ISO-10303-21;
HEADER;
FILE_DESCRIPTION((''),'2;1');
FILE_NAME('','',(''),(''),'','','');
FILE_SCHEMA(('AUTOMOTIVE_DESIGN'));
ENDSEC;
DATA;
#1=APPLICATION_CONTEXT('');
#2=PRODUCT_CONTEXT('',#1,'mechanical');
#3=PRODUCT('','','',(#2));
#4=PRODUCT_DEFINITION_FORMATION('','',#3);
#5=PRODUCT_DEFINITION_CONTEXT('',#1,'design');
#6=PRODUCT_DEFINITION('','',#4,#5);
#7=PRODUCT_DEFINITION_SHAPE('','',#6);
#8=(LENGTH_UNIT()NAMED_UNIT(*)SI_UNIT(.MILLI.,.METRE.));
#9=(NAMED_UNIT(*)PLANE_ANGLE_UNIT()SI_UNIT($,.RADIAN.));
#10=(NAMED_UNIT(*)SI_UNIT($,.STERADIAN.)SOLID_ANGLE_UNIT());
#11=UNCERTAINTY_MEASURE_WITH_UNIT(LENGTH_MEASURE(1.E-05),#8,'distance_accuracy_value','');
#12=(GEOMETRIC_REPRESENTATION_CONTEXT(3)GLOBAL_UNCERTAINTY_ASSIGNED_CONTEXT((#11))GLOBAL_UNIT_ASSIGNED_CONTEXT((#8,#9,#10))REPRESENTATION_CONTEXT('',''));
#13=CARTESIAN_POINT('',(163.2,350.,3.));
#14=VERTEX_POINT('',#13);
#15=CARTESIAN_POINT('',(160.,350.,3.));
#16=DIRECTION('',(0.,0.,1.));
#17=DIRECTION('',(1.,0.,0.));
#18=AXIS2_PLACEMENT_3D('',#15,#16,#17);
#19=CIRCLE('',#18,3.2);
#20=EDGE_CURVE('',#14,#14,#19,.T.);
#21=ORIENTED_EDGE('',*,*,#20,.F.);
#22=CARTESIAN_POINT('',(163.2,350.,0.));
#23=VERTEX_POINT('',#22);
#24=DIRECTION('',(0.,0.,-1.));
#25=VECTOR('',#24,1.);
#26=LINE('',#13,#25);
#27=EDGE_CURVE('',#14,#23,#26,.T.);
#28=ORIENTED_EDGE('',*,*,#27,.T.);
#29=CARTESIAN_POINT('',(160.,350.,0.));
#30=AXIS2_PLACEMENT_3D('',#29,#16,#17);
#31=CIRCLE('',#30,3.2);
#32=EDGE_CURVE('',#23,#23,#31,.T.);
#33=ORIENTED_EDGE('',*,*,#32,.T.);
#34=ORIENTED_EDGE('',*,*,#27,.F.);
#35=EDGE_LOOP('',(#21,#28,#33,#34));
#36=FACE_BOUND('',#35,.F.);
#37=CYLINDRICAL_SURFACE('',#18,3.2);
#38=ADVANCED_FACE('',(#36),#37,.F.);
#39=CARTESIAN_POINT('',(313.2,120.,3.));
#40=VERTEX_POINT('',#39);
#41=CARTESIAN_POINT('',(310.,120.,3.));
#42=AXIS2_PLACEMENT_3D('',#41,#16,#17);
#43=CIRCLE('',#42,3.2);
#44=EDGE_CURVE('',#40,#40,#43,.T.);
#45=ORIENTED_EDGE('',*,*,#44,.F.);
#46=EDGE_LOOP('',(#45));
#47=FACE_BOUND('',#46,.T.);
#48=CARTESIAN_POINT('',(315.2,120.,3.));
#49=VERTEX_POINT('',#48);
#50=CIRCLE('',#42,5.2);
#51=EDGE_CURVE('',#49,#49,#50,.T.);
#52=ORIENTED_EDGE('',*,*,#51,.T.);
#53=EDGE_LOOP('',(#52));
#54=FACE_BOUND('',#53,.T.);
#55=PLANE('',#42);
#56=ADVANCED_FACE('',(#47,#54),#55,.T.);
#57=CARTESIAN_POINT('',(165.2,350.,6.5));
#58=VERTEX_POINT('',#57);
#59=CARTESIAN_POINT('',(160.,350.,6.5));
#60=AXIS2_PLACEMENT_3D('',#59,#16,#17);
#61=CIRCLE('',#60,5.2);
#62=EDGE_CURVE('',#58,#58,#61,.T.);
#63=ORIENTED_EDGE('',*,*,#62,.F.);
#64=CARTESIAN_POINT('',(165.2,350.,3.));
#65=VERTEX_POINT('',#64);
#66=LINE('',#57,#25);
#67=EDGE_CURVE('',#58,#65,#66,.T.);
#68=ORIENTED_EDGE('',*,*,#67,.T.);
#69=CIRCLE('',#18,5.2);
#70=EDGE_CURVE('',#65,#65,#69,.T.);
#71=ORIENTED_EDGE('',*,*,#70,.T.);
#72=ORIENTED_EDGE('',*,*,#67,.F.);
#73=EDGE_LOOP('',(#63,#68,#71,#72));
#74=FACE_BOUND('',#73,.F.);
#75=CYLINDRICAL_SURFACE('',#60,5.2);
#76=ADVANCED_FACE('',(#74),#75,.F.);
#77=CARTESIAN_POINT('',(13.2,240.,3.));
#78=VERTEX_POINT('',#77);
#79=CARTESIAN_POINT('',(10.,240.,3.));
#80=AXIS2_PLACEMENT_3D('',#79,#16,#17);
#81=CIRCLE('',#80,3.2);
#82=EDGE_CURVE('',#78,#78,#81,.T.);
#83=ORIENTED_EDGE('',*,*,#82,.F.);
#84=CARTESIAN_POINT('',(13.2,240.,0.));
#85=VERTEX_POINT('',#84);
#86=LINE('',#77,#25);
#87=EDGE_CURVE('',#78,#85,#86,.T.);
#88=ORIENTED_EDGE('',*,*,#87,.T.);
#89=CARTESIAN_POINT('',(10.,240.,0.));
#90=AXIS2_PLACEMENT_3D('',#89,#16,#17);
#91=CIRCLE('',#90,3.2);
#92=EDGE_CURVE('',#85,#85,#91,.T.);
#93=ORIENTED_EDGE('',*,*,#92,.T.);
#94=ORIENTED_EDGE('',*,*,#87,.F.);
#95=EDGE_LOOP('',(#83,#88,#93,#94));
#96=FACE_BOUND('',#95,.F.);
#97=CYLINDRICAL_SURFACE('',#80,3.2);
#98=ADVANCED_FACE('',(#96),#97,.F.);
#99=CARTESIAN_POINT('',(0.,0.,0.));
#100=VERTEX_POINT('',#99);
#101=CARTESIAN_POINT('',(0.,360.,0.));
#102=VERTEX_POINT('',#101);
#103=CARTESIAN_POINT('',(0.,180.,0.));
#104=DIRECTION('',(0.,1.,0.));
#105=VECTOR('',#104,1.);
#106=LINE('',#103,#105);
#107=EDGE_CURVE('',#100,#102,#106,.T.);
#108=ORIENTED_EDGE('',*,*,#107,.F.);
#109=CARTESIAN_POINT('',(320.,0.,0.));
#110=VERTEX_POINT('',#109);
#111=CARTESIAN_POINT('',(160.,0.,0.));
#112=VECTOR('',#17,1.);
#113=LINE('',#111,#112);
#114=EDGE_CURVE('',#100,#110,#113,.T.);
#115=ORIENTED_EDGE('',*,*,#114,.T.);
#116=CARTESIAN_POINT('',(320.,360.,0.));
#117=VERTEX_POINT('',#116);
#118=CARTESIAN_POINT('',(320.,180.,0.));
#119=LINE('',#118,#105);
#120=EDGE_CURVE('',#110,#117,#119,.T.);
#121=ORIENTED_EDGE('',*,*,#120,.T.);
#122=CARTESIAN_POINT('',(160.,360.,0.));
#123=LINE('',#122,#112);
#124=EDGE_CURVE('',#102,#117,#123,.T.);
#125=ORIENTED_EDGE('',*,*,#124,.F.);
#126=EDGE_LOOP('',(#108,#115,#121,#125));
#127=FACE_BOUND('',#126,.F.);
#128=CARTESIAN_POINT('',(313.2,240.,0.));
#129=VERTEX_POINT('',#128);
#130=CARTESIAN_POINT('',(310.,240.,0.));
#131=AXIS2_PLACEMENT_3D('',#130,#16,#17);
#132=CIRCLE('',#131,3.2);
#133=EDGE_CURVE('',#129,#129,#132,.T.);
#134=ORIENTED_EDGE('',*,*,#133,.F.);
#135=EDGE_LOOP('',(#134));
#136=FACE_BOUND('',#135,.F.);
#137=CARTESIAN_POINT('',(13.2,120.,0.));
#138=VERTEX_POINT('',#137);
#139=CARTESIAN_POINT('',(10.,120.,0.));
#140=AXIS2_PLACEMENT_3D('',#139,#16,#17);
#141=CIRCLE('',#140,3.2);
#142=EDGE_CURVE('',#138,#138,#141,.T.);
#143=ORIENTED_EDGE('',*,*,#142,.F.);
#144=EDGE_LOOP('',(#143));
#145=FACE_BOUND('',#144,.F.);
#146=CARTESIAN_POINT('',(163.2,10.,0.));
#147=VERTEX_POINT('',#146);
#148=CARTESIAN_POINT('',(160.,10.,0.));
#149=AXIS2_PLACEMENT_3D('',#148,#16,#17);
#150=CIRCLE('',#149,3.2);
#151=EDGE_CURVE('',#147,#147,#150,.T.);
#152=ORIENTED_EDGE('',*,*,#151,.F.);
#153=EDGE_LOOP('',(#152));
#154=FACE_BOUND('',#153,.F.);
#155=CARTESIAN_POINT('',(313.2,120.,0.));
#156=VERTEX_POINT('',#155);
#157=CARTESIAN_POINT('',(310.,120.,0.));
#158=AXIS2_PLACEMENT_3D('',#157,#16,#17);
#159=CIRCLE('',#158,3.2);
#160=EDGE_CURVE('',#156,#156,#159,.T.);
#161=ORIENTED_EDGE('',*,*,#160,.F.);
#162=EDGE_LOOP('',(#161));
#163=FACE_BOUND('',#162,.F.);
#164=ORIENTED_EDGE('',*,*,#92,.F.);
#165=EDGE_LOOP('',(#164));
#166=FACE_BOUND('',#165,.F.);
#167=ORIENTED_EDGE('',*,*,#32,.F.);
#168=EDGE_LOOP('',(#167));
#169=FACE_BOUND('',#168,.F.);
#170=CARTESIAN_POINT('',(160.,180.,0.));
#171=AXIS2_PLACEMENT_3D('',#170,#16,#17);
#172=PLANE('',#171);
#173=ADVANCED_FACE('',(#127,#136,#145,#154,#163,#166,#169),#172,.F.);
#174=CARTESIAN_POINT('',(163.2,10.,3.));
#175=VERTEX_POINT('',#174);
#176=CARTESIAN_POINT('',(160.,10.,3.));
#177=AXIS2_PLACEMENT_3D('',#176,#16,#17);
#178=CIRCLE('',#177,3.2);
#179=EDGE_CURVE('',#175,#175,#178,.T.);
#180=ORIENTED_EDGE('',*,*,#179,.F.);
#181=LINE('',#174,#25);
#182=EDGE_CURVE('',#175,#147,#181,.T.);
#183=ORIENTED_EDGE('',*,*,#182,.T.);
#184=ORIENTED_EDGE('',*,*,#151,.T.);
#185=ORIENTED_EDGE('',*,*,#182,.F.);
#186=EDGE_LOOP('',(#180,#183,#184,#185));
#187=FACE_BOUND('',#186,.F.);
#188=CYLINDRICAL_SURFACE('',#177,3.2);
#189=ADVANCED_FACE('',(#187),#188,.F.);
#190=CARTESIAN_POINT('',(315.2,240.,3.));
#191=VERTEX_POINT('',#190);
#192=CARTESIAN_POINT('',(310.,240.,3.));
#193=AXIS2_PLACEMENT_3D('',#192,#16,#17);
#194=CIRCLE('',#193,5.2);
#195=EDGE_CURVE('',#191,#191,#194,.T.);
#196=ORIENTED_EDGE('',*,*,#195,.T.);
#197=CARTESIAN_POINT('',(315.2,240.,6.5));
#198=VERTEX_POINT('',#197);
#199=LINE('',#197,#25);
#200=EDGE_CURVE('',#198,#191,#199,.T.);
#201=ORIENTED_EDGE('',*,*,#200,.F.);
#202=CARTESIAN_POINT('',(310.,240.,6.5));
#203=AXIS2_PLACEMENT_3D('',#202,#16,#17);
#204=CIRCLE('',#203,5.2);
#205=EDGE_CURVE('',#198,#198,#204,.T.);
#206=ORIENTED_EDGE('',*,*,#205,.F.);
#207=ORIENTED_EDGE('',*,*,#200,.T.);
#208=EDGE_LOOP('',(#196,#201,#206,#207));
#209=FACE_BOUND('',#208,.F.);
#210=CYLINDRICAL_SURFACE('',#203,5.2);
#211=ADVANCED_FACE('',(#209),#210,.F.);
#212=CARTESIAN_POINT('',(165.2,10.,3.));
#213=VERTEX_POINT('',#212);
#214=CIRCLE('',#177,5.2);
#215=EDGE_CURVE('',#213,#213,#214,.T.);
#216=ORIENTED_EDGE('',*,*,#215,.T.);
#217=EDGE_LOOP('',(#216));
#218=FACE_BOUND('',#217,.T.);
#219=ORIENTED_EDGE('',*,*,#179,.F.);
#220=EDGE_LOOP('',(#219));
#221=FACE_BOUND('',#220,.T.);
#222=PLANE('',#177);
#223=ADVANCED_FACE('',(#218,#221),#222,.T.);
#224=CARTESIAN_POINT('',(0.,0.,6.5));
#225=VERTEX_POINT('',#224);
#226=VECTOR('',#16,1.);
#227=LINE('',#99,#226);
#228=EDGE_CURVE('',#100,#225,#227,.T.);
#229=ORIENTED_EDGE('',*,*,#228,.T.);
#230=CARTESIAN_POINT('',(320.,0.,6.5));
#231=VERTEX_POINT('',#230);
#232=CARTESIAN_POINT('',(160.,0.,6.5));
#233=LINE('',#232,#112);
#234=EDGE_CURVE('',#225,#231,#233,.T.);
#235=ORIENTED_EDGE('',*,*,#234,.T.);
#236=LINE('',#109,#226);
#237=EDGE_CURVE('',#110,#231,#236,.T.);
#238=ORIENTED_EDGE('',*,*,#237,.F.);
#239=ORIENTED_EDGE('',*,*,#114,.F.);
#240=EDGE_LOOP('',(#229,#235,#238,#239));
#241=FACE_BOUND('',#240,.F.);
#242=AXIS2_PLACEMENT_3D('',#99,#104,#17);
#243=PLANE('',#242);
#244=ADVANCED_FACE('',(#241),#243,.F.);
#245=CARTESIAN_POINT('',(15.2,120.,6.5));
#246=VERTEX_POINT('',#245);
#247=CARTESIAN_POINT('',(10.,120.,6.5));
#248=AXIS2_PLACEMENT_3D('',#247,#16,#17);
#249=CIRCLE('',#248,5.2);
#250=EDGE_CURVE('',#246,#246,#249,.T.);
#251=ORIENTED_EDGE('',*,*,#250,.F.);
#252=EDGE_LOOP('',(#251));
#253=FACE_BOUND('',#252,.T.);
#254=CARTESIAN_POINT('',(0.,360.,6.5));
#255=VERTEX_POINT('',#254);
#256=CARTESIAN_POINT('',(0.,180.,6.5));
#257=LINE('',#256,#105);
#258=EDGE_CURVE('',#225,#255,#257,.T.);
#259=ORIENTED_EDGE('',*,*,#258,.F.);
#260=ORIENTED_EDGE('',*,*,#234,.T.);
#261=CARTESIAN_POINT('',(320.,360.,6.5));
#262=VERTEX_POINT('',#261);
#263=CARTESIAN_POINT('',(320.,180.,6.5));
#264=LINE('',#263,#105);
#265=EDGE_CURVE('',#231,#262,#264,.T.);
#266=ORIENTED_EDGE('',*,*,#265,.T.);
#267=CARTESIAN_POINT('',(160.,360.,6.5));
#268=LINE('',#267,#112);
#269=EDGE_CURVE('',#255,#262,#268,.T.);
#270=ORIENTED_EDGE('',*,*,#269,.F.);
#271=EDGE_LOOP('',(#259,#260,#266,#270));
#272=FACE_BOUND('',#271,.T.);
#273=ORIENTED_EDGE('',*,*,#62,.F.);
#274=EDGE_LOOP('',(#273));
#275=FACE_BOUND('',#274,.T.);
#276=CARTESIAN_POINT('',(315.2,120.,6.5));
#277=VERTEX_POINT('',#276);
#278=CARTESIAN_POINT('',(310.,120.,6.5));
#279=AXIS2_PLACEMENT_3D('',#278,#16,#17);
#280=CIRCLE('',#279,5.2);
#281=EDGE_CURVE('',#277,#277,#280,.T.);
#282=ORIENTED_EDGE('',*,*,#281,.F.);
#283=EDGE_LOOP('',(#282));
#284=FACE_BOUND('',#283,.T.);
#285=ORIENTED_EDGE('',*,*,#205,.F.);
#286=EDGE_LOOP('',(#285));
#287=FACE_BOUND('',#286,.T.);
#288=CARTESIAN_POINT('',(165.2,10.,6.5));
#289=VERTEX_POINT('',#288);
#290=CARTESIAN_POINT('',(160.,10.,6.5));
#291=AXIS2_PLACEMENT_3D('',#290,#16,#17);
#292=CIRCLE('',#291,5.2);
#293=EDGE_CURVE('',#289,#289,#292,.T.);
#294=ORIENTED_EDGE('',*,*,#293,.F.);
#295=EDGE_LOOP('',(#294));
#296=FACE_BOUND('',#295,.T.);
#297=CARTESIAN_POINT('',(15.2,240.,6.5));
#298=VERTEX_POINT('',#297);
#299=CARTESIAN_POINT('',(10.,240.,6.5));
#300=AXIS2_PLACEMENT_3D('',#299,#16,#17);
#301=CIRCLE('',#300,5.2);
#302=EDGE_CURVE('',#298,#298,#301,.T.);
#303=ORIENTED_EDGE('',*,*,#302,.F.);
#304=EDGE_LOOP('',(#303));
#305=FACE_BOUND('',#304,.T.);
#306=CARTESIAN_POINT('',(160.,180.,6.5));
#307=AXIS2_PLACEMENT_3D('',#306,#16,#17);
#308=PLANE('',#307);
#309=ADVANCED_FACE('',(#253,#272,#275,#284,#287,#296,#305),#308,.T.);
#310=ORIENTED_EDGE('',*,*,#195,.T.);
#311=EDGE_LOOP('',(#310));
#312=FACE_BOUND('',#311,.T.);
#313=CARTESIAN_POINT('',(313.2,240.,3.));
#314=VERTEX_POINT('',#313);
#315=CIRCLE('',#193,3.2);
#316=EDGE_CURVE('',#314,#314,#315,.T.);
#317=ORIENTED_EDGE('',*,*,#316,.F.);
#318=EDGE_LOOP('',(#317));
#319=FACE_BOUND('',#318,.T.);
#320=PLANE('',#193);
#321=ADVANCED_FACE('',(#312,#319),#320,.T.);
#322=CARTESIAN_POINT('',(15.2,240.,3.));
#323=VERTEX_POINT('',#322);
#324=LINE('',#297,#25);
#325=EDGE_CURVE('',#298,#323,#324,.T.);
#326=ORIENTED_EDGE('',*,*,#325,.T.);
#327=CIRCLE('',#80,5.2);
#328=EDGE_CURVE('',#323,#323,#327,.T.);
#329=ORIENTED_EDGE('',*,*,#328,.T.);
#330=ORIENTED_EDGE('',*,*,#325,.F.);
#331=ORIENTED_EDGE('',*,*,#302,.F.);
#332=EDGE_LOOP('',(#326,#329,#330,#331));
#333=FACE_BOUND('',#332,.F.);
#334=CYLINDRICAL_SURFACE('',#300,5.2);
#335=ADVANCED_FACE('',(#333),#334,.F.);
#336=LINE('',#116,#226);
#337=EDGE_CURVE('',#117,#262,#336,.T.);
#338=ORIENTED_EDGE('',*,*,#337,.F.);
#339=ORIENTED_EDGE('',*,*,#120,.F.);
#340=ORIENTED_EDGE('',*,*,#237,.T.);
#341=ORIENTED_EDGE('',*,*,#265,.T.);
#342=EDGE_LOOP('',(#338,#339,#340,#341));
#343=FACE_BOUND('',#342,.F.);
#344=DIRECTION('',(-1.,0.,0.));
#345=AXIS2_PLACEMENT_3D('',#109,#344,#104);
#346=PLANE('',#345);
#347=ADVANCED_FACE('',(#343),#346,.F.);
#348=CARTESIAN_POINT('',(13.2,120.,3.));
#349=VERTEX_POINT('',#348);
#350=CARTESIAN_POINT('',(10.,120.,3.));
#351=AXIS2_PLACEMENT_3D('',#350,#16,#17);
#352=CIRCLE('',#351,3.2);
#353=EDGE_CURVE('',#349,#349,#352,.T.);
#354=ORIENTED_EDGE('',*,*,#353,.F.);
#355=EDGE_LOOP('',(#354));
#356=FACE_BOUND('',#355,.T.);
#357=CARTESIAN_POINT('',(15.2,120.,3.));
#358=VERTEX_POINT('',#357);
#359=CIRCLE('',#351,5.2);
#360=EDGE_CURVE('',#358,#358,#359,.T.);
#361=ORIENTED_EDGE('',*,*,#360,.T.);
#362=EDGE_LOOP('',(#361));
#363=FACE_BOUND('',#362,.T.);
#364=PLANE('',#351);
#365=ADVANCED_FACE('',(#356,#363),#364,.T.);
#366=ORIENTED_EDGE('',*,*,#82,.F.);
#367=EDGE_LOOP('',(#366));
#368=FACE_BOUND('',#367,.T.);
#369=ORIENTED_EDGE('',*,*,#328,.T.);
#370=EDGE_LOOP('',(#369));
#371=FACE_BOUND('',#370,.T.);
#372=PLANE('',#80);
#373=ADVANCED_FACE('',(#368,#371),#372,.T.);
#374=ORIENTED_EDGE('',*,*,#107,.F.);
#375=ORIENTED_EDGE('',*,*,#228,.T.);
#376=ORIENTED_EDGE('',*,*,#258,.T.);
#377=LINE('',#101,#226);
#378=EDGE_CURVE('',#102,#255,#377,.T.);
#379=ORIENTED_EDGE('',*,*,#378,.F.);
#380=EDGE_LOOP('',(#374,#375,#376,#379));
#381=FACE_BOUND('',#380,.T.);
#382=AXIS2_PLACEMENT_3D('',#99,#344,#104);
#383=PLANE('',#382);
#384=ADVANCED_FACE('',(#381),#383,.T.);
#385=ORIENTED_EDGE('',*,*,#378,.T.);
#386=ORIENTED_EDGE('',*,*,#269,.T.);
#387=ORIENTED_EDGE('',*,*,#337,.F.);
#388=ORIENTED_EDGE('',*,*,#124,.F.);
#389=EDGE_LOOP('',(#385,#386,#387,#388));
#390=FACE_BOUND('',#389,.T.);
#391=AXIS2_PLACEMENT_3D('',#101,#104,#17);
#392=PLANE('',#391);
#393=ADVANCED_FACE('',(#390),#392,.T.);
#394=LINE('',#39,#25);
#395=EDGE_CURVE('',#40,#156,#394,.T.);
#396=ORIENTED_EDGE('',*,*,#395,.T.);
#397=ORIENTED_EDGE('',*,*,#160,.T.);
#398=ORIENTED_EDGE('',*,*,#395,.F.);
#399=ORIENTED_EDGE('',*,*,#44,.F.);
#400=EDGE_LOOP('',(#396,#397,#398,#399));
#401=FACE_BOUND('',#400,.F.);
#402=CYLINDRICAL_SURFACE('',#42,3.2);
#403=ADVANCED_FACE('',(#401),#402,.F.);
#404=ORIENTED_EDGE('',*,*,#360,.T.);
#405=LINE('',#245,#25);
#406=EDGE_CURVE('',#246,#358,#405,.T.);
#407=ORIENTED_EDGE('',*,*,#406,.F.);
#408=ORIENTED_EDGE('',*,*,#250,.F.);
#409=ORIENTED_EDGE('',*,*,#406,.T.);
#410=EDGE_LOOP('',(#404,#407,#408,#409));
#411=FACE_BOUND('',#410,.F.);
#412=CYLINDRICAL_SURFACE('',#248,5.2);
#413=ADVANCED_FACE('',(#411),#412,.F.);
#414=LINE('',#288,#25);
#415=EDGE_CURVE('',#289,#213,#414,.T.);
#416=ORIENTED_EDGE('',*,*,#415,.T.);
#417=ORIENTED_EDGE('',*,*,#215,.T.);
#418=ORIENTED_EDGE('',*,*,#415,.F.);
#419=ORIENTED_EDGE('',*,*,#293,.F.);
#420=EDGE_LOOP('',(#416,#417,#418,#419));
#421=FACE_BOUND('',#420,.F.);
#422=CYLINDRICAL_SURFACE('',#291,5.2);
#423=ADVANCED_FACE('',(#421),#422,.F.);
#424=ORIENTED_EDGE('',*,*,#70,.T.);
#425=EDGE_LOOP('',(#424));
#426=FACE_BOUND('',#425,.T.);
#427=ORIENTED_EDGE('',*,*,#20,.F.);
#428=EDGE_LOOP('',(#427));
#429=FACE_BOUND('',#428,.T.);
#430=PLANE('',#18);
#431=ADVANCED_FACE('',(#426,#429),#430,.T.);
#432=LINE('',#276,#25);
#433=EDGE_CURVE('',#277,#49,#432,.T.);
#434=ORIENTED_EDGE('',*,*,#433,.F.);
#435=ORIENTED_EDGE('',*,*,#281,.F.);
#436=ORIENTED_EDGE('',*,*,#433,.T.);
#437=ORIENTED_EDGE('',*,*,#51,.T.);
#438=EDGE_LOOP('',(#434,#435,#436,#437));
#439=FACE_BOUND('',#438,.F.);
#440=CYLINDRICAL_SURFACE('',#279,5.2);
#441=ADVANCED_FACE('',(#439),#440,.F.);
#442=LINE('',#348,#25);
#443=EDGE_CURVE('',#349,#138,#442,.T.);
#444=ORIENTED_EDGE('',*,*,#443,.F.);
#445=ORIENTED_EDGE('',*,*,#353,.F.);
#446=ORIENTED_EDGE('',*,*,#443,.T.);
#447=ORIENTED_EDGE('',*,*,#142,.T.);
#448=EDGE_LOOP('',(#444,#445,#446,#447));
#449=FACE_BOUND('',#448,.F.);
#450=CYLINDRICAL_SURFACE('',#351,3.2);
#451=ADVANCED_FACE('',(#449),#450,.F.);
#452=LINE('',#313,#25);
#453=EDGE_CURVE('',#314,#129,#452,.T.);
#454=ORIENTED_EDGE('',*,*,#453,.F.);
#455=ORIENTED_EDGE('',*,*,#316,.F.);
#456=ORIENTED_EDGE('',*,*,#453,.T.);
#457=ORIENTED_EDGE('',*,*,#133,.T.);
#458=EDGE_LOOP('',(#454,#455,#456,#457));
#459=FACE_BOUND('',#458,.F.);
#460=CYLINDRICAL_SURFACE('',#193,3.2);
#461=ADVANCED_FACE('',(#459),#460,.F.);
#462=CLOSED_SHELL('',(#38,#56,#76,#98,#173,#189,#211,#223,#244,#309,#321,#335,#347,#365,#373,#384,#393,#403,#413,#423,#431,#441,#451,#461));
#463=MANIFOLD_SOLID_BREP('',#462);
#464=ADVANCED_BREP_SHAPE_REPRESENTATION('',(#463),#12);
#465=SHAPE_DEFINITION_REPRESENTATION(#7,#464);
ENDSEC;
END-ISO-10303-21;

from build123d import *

# Parameters (mm, degrees)
SKETCH_W        = 320
SKETCH_H        = 360
PAD_DEPTH       = 6.5
SKETCH001_R     = 5.2
POCKET_DEPTH    = 3.5
SKETCH002_R     = 3.2
POCKET001_DEPTH = 3


with BuildPart() as part:
    # Sketch → Pad (new body)
    with BuildSketch(Plane.XY):
        with Locations((160, 180)):
            Rectangle(SKETCH_W, SKETCH_H)
    extrude(amount=PAD_DEPTH)

    # Sketch001 (on Face6 of Pad) → Pocket (cut)
    with BuildSketch(Plane.XY.offset(6.5)):
        with Locations((160, 350)):
            Circle(SKETCH001_R)
        with Locations((310, 240)):
            Circle(SKETCH001_R)
        with Locations((310, 120)):
            Circle(SKETCH001_R)
        with Locations((160, 10)):
            Circle(SKETCH001_R)
        with Locations((10, 120)):
            Circle(SKETCH001_R)
        with Locations((10, 240)):
            Circle(SKETCH001_R)
    extrude(amount=-POCKET_DEPTH, mode=Mode.SUBTRACT)

    # Sketch002 (on Face17 of Pocket) → Pocket001 (cut)
    with BuildSketch(Plane.XY.offset(3)):
        with Locations((160, 350)):
            Circle(SKETCH002_R)
        with Locations((10, 240)):
            Circle(SKETCH002_R)
        with Locations((10, 120)):
            Circle(SKETCH002_R)
        with Locations((160, 10)):
            Circle(SKETCH002_R)
        with Locations((310, 120)):
            Circle(SKETCH002_R)
        with Locations((310, 240)):
            Circle(SKETCH002_R)
    extrude(amount=-POCKET001_DEPTH, mode=Mode.SUBTRACT)


solid = part.part
